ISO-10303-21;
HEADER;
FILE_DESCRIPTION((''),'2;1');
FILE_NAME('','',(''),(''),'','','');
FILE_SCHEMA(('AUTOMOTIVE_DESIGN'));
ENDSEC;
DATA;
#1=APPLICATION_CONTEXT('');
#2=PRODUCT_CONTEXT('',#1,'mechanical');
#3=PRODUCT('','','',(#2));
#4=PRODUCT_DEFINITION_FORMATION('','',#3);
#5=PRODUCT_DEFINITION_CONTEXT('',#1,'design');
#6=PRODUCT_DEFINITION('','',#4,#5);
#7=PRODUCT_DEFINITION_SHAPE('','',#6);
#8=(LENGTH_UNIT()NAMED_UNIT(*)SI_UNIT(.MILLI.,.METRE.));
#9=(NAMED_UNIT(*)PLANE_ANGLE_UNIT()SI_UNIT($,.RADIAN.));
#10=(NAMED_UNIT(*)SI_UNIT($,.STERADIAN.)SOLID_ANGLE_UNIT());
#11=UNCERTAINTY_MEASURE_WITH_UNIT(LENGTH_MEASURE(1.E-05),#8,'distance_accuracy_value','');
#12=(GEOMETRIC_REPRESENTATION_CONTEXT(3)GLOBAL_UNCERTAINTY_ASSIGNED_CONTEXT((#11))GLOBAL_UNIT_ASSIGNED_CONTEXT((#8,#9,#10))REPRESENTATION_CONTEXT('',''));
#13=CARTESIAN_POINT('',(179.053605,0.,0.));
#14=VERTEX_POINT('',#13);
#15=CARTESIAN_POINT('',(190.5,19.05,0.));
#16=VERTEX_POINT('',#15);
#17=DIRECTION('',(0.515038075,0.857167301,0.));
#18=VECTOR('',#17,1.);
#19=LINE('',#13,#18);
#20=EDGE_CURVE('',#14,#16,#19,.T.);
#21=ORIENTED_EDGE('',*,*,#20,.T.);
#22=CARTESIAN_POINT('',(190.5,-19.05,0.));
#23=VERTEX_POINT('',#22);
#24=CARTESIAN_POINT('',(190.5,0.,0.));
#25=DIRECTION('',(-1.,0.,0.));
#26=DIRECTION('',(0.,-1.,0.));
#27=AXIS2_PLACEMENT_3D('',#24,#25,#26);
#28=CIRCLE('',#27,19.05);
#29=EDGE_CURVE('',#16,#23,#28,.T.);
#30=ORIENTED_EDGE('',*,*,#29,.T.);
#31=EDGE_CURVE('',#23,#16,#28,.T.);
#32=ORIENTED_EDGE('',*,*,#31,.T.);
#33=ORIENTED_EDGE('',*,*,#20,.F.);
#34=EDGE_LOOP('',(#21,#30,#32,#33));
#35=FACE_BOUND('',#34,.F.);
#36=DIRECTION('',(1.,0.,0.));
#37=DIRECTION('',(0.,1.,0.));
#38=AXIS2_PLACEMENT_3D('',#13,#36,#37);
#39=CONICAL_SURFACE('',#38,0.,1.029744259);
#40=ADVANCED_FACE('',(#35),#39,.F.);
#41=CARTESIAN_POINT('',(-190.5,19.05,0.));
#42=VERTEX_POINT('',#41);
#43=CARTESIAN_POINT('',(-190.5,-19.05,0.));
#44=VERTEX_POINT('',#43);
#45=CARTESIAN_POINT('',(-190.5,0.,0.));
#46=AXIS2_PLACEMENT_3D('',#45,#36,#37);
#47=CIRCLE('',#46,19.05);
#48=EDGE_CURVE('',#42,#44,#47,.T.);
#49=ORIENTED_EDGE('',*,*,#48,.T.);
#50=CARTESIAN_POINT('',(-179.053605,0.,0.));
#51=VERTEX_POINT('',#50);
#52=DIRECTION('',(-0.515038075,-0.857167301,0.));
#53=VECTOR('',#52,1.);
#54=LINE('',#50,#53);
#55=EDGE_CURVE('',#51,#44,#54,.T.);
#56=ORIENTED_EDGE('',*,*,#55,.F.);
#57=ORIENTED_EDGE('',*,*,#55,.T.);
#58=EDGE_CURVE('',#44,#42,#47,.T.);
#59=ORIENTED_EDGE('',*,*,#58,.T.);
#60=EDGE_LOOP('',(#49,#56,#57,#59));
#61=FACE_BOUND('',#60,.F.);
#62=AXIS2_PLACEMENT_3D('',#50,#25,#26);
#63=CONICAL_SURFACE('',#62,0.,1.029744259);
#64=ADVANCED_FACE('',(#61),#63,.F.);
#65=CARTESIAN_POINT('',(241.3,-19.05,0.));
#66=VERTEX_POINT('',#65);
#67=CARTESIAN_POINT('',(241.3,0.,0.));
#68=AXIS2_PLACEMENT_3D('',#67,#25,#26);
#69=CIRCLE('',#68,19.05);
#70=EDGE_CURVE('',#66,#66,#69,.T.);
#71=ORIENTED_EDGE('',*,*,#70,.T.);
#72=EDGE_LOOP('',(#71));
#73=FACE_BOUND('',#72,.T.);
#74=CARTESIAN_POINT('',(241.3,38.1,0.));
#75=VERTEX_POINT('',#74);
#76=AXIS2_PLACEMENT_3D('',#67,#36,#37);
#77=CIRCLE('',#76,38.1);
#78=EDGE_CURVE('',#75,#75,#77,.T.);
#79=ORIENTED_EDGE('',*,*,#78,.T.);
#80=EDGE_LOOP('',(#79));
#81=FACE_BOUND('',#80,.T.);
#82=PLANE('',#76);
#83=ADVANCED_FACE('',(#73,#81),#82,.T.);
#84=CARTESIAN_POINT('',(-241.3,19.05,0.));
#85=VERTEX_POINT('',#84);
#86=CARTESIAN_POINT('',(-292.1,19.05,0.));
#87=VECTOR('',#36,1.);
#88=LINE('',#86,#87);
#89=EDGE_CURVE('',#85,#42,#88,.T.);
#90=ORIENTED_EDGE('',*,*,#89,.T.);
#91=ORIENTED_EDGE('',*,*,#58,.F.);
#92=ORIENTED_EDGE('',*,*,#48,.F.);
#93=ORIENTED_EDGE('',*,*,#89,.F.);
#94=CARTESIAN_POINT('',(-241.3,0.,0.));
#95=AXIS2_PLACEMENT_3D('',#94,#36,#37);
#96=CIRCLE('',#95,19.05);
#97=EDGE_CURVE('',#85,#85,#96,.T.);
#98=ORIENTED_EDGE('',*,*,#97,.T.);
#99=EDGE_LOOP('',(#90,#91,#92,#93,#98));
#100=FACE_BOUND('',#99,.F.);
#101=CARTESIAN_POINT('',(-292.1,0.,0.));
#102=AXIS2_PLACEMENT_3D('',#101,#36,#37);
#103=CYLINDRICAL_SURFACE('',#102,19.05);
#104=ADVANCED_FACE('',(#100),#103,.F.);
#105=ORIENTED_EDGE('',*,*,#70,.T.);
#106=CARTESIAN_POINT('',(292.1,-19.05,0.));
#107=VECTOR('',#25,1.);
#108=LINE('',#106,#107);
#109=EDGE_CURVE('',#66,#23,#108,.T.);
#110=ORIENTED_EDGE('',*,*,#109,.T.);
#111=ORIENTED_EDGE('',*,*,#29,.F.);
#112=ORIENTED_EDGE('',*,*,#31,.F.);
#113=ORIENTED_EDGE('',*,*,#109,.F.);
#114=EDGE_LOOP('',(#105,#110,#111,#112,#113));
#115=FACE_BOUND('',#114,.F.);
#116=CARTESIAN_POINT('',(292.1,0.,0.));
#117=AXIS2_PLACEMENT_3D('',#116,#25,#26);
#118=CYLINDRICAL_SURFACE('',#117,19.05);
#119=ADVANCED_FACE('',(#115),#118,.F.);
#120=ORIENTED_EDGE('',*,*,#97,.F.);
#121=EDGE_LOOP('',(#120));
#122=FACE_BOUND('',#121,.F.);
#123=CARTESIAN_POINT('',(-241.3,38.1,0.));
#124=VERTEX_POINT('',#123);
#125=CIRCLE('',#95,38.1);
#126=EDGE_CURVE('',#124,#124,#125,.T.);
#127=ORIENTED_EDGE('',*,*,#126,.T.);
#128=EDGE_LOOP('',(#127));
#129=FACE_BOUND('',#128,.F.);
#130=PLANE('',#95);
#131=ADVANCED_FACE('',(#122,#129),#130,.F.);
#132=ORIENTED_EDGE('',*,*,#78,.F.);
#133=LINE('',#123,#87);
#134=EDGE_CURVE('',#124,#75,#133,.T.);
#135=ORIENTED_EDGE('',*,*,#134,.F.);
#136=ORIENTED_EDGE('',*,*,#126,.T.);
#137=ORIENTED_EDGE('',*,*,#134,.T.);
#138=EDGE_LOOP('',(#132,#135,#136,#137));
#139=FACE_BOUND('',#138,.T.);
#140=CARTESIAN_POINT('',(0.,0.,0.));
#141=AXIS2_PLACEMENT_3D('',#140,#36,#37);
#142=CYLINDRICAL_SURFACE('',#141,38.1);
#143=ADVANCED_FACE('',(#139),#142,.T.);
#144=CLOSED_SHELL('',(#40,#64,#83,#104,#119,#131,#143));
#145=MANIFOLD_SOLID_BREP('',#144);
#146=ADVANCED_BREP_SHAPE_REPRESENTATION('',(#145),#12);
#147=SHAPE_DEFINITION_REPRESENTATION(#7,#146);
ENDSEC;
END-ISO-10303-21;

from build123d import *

# Parameters (mm, degrees)
F0_R     = 38.1
F1_DEPTH = 241.3
F3_D     = 38.1
F3_DEPTH = 50.8
F3_TIP   = 11.4463947925
F5_D     = 38.1
F5_DEPTH = 50.8
F5_TIP   = 11.4463947925


with BuildPart() as f1:
    # F0 (on Right) → F1 (new body, symmetric)
    with BuildSketch(Plane.YZ):
        Circle(F0_R)
    extrude(amount=F1_DEPTH, both=True)

    # F3
    with Locations(Plane(origin=(-241.3, 0, 0), x_dir=(0, -1, 0), z_dir=(-1, 0, 0))):
        with Locations((0, 0)):
            Hole(F3_D / 2, depth=F3_DEPTH)
            with Locations((0, 0, -(F3_DEPTH + F3_TIP / 2))):  # 118° drill point
                Cone(0, F3_D / 2, F3_TIP, mode=Mode.SUBTRACT)

    # F5
    with Locations(Plane.YZ.offset(241.3)):
        with Locations((0, 0)):
            Hole(F5_D / 2, depth=F5_DEPTH)
            with Locations((0, 0, -(F5_DEPTH + F5_TIP / 2))):  # 118° drill point
                Cone(0, F5_D / 2, F5_TIP, mode=Mode.SUBTRACT)


solid = f1.part
